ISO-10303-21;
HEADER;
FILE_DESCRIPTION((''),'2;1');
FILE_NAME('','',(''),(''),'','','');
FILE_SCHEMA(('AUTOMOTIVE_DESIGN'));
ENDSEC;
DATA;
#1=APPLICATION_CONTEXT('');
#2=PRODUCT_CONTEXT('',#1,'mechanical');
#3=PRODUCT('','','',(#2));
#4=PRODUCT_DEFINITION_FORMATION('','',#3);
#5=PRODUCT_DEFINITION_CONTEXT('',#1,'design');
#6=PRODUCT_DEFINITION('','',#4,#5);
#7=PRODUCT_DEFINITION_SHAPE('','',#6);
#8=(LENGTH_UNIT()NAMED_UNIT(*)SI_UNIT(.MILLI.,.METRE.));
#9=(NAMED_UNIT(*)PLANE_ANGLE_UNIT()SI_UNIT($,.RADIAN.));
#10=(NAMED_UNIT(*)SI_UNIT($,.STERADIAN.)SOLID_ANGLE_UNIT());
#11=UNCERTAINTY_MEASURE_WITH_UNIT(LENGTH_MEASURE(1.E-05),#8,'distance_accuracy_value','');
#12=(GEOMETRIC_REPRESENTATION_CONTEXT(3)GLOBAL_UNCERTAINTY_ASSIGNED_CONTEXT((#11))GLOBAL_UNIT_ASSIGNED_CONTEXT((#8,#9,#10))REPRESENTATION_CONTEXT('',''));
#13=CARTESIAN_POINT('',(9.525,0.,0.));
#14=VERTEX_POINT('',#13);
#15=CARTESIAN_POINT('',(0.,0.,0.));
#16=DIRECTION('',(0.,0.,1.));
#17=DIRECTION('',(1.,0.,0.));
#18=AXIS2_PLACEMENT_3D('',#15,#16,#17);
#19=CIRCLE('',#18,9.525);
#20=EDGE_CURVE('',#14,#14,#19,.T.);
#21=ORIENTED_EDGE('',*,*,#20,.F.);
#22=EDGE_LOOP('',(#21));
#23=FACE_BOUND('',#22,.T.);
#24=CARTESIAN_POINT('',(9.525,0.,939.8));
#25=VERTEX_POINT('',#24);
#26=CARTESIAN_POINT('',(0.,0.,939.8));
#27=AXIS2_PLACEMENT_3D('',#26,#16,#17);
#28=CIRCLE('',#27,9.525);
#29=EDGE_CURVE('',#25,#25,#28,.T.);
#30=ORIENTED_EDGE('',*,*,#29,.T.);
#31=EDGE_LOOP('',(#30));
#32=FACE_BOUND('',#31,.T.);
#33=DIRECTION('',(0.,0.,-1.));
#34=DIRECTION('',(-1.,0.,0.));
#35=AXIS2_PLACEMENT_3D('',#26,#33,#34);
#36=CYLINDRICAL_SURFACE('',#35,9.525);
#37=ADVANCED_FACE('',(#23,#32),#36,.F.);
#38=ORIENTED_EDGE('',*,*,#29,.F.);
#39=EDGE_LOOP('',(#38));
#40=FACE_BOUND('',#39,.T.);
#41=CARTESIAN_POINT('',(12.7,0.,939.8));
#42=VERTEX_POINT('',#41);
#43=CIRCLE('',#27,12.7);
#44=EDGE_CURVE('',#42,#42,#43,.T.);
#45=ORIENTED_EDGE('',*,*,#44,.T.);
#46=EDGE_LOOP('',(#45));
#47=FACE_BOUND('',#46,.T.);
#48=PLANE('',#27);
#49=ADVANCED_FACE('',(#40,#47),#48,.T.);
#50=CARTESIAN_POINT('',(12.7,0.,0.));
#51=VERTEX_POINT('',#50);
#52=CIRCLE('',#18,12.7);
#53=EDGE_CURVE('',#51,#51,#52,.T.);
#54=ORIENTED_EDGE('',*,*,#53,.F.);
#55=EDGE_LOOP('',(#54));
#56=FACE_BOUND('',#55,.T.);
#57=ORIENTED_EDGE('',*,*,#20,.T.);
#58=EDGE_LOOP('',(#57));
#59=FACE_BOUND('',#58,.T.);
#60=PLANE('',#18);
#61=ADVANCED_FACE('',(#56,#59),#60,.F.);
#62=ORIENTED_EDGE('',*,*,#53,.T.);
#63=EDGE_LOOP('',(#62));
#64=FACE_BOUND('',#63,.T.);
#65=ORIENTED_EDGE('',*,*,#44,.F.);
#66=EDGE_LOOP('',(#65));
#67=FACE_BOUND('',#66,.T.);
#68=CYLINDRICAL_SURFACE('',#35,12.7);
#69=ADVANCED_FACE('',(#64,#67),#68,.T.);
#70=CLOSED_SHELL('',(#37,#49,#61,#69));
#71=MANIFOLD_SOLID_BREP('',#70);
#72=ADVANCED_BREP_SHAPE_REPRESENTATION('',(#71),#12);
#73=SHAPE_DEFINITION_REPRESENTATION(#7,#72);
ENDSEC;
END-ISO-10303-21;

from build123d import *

# Parameters (mm, degrees)
SKETCH1_R           = 12.7
SKETCH1_R_2         = 9.525
BOSS_EXTRUDE1_DEPTH = 939.8


with BuildPart() as part:
    # Sketch1 → Boss-Extrude1 (new body)
    with BuildSketch(Plane.XY):
        Circle(SKETCH1_R)
        Circle(SKETCH1_R_2, mode=Mode.SUBTRACT)
    extrude(amount=BOSS_EXTRUDE1_DEPTH)


solid = part.part
